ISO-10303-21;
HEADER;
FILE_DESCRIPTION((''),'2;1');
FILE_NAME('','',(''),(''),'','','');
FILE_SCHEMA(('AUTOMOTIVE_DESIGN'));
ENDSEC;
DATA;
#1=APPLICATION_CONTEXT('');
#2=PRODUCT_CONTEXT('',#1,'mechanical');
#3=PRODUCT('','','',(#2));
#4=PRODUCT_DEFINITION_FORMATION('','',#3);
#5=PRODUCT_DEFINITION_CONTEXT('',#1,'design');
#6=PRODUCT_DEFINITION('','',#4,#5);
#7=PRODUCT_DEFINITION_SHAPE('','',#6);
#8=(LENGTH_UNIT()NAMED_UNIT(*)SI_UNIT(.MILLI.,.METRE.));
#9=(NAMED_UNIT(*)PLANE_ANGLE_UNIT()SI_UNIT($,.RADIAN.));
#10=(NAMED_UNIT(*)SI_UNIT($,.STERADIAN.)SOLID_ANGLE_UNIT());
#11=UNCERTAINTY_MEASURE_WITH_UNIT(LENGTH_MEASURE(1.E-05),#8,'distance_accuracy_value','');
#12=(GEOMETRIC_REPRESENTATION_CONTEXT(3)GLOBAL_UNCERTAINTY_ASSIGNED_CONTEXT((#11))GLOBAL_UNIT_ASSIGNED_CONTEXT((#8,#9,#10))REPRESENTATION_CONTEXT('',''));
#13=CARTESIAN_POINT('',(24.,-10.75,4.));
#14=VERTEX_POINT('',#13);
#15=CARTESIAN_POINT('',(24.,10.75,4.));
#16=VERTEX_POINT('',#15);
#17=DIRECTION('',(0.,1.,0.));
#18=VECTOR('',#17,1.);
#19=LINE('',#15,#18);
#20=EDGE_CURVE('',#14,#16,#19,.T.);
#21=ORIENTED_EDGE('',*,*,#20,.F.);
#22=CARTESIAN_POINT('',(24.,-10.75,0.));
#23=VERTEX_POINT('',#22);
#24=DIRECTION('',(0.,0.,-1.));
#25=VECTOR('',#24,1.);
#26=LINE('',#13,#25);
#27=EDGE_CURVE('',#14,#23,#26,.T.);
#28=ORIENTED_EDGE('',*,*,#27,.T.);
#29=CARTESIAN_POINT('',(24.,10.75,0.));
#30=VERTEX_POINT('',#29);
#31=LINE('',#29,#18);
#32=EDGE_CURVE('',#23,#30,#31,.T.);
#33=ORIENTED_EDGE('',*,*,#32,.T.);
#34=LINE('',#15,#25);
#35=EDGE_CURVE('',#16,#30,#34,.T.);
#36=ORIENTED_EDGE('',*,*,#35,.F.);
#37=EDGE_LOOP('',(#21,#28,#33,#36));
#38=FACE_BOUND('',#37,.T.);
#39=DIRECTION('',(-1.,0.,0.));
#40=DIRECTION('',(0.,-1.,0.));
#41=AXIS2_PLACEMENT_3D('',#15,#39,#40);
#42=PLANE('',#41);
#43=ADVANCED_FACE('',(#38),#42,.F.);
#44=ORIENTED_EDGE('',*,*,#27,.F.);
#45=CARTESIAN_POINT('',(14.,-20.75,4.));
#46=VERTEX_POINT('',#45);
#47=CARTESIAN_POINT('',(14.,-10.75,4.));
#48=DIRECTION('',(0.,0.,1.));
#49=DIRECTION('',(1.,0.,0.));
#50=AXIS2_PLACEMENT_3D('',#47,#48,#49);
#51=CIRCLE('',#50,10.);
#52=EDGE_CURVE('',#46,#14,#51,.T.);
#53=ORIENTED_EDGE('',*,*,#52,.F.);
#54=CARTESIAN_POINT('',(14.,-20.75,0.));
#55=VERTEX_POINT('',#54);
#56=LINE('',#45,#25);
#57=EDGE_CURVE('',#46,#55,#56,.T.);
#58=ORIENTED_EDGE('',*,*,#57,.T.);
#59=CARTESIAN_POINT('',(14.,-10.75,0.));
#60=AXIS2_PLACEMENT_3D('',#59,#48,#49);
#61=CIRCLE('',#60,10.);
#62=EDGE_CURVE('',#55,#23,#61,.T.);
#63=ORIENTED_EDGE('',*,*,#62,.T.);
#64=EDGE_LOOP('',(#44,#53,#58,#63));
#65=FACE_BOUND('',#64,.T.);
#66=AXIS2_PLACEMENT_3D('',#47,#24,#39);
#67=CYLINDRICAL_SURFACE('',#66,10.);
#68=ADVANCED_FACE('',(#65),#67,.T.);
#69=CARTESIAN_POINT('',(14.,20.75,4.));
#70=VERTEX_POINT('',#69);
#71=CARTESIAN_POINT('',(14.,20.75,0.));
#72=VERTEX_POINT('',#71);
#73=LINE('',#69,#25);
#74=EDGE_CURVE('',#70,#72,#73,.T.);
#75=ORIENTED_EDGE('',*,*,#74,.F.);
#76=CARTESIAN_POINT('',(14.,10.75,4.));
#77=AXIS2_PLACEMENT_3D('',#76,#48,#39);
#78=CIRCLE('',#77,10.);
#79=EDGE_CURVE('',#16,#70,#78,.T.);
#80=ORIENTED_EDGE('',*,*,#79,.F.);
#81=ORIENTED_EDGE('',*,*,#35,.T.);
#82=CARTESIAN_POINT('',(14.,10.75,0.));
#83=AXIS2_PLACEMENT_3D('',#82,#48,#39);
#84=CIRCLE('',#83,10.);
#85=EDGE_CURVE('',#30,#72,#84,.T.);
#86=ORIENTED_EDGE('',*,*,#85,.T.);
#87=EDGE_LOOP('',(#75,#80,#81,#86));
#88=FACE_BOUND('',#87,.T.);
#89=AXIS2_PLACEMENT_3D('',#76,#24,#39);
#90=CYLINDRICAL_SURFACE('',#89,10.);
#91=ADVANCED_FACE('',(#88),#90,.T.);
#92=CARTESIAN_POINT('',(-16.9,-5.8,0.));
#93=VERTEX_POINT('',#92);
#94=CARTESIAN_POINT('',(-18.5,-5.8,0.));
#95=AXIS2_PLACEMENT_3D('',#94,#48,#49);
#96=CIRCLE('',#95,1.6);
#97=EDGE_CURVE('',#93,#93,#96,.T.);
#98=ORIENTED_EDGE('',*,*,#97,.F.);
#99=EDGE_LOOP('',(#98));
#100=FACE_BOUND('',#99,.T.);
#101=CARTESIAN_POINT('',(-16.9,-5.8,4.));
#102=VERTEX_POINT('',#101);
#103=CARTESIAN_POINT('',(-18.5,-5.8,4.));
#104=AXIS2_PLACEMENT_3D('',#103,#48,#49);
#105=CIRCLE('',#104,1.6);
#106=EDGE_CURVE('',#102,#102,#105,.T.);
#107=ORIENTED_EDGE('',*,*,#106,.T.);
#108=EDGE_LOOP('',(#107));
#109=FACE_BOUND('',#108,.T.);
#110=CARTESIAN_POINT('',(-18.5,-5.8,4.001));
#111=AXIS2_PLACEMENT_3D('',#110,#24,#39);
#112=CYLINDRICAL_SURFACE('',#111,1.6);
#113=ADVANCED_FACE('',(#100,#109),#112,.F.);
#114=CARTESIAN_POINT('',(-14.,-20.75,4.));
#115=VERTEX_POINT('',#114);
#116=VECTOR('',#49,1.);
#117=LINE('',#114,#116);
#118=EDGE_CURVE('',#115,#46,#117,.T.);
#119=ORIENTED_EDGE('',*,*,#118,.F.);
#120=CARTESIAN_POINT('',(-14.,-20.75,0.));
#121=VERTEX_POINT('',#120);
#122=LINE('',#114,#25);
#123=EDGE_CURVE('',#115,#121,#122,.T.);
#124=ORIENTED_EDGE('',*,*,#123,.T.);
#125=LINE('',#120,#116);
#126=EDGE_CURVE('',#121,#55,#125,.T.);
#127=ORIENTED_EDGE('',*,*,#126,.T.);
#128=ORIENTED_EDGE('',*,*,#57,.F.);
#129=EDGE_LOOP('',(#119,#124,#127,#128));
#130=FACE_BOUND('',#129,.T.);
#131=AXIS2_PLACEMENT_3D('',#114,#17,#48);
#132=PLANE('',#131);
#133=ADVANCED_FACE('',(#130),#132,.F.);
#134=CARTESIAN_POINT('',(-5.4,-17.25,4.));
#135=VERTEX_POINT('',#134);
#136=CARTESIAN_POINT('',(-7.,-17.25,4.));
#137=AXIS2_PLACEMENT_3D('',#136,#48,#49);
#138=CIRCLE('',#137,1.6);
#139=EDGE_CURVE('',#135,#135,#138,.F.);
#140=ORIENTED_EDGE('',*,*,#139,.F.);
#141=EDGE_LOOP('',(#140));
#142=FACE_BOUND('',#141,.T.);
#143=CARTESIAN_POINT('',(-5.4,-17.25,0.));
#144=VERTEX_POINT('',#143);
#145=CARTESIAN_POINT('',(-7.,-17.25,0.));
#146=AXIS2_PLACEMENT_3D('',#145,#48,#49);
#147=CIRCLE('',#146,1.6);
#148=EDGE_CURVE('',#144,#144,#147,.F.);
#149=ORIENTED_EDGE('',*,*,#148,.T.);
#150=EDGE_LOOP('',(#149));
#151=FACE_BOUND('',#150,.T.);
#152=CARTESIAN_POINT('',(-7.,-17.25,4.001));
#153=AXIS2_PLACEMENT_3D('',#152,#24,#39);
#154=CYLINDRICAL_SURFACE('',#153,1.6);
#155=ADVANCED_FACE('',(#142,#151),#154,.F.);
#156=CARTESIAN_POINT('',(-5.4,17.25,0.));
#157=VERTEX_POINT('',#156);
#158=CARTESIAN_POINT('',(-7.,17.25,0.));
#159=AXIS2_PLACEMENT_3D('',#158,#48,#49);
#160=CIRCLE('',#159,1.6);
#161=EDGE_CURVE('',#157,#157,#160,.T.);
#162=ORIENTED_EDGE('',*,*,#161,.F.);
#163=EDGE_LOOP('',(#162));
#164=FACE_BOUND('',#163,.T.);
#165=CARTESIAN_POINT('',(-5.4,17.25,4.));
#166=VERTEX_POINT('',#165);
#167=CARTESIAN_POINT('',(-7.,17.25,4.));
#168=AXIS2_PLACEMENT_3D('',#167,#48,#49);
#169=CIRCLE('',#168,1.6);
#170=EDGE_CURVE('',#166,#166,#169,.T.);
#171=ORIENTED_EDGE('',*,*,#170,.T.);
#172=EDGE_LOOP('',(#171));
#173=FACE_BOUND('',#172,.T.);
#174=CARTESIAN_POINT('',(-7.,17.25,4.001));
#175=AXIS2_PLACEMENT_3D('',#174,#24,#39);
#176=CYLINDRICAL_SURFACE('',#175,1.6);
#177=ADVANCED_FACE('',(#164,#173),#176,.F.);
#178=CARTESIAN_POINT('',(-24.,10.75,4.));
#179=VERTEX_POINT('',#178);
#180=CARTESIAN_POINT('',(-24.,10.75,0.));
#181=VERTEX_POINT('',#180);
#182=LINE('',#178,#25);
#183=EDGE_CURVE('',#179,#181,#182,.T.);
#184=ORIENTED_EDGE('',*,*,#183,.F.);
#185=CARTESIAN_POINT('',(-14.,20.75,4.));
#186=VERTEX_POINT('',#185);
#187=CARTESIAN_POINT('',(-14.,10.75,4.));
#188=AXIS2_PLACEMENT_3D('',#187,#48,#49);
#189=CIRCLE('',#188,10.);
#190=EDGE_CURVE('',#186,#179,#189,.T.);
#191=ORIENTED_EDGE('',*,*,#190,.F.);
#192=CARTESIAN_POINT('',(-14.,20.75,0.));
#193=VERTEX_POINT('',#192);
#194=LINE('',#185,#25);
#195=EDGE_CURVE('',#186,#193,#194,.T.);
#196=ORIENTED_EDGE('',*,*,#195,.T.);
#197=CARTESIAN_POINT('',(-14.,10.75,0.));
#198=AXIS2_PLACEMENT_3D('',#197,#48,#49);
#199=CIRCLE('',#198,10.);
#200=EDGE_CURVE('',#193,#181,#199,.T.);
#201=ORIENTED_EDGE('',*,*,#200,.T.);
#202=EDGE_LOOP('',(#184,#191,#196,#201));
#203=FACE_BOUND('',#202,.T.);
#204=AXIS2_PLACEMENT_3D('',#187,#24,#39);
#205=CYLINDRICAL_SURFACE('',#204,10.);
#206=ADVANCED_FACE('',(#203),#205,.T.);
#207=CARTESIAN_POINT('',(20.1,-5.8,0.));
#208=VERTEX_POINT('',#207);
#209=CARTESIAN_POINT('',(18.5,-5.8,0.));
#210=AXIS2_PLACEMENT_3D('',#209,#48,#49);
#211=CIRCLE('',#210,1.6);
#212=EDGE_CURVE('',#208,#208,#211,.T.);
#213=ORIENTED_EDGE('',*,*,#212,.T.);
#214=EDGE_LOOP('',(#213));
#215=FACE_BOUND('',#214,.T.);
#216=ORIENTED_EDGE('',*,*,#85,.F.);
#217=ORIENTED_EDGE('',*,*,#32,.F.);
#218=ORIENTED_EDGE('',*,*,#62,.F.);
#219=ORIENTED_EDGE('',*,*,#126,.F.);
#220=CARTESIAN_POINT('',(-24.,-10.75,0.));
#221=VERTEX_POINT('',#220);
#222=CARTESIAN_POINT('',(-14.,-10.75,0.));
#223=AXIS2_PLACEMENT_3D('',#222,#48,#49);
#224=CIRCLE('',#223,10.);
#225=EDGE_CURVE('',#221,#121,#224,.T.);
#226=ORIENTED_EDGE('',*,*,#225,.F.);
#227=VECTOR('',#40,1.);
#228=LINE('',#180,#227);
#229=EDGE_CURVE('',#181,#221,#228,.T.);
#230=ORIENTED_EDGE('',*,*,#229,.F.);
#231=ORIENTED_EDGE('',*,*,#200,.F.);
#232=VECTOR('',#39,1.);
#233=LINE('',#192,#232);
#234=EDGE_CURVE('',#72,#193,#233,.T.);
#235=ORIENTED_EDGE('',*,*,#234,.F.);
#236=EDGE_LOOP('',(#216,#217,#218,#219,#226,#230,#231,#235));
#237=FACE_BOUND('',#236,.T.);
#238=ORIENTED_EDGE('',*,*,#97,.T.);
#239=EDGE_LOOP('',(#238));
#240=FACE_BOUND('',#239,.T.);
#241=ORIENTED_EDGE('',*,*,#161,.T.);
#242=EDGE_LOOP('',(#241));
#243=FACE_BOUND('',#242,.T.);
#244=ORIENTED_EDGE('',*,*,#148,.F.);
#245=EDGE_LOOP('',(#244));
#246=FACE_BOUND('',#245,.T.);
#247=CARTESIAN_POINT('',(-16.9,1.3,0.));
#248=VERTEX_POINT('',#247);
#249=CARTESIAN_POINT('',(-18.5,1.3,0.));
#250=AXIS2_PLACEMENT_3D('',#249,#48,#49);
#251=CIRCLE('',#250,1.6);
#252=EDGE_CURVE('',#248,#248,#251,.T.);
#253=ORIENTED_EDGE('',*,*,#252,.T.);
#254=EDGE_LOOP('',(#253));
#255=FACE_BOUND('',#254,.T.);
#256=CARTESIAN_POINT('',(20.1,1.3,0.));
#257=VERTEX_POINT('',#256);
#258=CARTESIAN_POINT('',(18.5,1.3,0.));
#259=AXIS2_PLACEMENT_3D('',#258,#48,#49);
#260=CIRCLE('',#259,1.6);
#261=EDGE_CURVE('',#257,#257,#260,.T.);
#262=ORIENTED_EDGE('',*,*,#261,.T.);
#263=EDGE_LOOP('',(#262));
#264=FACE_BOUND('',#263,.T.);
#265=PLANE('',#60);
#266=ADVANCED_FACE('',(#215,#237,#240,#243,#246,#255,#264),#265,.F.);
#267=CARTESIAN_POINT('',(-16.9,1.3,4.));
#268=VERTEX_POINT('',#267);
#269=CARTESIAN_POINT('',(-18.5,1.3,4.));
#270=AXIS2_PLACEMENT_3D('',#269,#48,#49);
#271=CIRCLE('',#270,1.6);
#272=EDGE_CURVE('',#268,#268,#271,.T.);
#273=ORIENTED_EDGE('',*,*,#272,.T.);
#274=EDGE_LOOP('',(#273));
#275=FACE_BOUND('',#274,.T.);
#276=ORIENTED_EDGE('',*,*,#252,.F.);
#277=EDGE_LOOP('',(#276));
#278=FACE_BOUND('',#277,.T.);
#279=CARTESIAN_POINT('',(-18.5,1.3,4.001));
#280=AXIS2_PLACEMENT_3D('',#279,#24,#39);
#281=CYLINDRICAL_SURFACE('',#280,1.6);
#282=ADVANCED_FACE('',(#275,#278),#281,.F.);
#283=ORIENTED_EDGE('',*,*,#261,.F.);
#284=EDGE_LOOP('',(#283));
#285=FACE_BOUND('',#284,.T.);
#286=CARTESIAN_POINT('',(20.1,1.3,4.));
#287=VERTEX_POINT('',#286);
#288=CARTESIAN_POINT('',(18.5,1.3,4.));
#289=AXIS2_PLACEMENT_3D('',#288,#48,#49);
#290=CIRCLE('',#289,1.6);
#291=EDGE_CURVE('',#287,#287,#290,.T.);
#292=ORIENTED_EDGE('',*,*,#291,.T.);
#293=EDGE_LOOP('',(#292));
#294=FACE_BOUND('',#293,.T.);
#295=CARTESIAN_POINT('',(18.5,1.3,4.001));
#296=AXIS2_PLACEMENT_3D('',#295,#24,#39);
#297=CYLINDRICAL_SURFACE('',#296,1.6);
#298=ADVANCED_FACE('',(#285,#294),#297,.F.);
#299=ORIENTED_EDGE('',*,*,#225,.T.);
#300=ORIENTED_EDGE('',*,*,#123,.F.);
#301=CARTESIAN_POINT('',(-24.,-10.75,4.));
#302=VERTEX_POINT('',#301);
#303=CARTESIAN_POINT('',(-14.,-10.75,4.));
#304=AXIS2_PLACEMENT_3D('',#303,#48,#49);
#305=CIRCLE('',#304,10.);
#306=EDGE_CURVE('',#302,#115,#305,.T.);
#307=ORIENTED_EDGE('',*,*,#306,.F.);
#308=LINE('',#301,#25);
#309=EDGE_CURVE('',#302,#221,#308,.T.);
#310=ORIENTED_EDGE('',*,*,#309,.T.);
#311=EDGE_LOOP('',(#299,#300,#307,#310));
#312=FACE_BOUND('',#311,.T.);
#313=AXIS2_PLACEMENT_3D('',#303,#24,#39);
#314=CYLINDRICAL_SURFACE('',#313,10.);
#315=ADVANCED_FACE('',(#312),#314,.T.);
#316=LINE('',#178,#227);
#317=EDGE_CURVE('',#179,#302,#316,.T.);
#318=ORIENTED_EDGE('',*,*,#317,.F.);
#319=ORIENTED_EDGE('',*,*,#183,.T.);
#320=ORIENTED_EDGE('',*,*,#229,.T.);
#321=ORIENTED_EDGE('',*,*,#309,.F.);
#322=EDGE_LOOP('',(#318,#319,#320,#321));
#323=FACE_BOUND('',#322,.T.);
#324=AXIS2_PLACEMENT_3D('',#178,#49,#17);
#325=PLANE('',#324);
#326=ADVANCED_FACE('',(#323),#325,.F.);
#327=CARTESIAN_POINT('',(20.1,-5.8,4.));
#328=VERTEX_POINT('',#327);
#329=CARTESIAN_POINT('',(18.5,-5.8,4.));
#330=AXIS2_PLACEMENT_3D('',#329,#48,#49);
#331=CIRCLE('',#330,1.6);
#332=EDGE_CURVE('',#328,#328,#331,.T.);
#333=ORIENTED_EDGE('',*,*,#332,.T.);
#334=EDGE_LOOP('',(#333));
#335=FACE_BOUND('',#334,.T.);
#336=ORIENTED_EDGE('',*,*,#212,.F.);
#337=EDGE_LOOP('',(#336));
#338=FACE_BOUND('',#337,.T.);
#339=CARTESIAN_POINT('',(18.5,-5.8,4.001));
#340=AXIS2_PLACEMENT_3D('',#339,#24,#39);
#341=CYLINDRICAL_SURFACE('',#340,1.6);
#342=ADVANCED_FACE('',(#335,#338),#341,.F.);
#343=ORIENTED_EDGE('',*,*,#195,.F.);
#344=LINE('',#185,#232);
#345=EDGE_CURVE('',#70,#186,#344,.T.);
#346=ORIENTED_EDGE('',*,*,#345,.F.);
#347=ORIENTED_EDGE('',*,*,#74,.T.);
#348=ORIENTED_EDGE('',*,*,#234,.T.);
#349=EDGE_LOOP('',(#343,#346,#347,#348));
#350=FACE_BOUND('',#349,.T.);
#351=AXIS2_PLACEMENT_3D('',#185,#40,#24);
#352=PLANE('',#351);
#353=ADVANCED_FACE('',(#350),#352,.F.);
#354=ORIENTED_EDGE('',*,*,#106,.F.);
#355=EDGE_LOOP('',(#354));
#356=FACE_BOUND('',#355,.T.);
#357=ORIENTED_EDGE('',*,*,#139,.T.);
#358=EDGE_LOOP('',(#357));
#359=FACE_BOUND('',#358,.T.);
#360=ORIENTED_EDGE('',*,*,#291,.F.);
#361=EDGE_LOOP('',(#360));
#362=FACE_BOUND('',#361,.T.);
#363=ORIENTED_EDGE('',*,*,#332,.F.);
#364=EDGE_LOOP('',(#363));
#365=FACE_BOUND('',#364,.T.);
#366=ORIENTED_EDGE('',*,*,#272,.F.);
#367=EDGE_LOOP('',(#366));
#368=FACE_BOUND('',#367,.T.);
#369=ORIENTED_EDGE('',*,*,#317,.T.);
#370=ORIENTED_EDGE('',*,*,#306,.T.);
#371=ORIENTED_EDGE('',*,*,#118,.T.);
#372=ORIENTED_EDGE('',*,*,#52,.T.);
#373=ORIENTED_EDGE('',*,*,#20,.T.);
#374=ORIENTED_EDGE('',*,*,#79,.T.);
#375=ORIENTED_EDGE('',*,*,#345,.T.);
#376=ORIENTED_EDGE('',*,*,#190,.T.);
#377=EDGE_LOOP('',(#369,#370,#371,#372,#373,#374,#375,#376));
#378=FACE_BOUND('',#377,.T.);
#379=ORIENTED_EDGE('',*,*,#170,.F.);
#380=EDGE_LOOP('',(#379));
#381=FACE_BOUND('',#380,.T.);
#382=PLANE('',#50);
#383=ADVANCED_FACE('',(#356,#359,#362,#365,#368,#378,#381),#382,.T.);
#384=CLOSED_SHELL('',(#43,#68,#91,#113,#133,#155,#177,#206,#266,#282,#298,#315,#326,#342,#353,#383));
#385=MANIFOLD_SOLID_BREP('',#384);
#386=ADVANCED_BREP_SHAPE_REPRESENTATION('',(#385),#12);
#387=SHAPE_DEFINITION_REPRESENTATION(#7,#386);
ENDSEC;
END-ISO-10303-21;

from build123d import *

# Parameters (mm, degrees)
BOSS_EXTRUDE1_DEPTH = 4
CUT_EXTRUDE1_REACH  = 33.978
SKETCH2_R           = 1.6


with BuildPart() as part:
    # Sketch1 → Boss-Extrude1 (new body)
    with BuildSketch(Plane.XY):
        with BuildLine():
            Line((-14, 20.75), (14, 20.75))
            ThreePointArc((14, 20.75), (21.071067812, 17.821067812), (24, 10.75))
            Line((24, 10.75), (24, -10.75))
            ThreePointArc((24, -10.75), (21.071067812, -17.821067812), (14, -20.75))
            Line((14, -20.75), (-14, -20.75))
            ThreePointArc((-14, -20.75), (-21.071067812, -17.821067812), (-24, -10.75))
            Line((-24, -10.75), (-24, 10.75))
            ThreePointArc((-24, 10.75), (-21.071067812, 17.821067812), (-14, 20.75))
        make_face()
    extrude(amount=BOSS_EXTRUDE1_DEPTH)

    # Sketch2 → Cut-Extrude1 (cut, up to next)
    with BuildSketch(Plane.XY, mode=Mode.PRIVATE) as cut_extrude1_sk1:
        with Locations((-7, -17.25)):
            Circle(SKETCH2_R)
    cut_extrude1_tool1 = extrude(cut_extrude1_sk1.sketch, amount=CUT_EXTRUDE1_REACH, mode=Mode.PRIVATE) & part.part
    # Sketch2 → Cut-Extrude1 (cut, up to next)
    with BuildSketch(Plane.XY, mode=Mode.PRIVATE) as cut_extrude1_sk2:
        with Locations((-7, 17.25)):
            Circle(SKETCH2_R)
    cut_extrude1_tool2 = extrude(cut_extrude1_sk2.sketch, amount=CUT_EXTRUDE1_REACH, mode=Mode.PRIVATE) & part.part
    # Sketch2 → Cut-Extrude1 (cut, up to next)
    with BuildSketch(Plane.XY, mode=Mode.PRIVATE) as cut_extrude1_sk3:
        with Locations((18.5, -5.8)):
            Circle(SKETCH2_R)
    cut_extrude1_tool3 = extrude(cut_extrude1_sk3.sketch, amount=CUT_EXTRUDE1_REACH, mode=Mode.PRIVATE) & part.part
    # Sketch2 → Cut-Extrude1 (cut, up to next)
    with BuildSketch(Plane.XY, mode=Mode.PRIVATE) as cut_extrude1_sk4:
        with Locations((18.5, 1.3)):
            Circle(SKETCH2_R)
    cut_extrude1_tool4 = extrude(cut_extrude1_sk4.sketch, amount=CUT_EXTRUDE1_REACH, mode=Mode.PRIVATE) & part.part
    # Sketch2 → Cut-Extrude1 (cut, up to next)
    with BuildSketch(Plane.XY, mode=Mode.PRIVATE) as cut_extrude1_sk5:
        with Locations((-18.5, -5.8)):
            Circle(SKETCH2_R)
    cut_extrude1_tool5 = extrude(cut_extrude1_sk5.sketch, amount=CUT_EXTRUDE1_REACH, mode=Mode.PRIVATE) & part.part
    # Sketch2 → Cut-Extrude1 (cut, up to next)
    with BuildSketch(Plane.XY, mode=Mode.PRIVATE) as cut_extrude1_sk6:
        with Locations((-18.5, 1.3)):
            Circle(SKETCH2_R)
    cut_extrude1_tool6 = extrude(cut_extrude1_sk6.sketch, amount=CUT_EXTRUDE1_REACH, mode=Mode.PRIVATE) & part.part
    add(cut_extrude1_tool1.solids().sort_by_distance((-7, -17.25, 0))[0], mode=Mode.SUBTRACT)
    add(cut_extrude1_tool2.solids().sort_by_distance((-7, 17.25, 0))[0], mode=Mode.SUBTRACT)
    add(cut_extrude1_tool3.solids().sort_by_distance((18.5, -5.8, 0))[0], mode=Mode.SUBTRACT)
    add(cut_extrude1_tool4.solids().sort_by_distance((18.5, 1.3, 0))[0], mode=Mode.SUBTRACT)
    add(cut_extrude1_tool5.solids().sort_by_distance((-18.5, -5.8, 0))[0], mode=Mode.SUBTRACT)
    add(cut_extrude1_tool6.solids().sort_by_distance((-18.5, 1.3, 0))[0], mode=Mode.SUBTRACT)


solid = part.part
